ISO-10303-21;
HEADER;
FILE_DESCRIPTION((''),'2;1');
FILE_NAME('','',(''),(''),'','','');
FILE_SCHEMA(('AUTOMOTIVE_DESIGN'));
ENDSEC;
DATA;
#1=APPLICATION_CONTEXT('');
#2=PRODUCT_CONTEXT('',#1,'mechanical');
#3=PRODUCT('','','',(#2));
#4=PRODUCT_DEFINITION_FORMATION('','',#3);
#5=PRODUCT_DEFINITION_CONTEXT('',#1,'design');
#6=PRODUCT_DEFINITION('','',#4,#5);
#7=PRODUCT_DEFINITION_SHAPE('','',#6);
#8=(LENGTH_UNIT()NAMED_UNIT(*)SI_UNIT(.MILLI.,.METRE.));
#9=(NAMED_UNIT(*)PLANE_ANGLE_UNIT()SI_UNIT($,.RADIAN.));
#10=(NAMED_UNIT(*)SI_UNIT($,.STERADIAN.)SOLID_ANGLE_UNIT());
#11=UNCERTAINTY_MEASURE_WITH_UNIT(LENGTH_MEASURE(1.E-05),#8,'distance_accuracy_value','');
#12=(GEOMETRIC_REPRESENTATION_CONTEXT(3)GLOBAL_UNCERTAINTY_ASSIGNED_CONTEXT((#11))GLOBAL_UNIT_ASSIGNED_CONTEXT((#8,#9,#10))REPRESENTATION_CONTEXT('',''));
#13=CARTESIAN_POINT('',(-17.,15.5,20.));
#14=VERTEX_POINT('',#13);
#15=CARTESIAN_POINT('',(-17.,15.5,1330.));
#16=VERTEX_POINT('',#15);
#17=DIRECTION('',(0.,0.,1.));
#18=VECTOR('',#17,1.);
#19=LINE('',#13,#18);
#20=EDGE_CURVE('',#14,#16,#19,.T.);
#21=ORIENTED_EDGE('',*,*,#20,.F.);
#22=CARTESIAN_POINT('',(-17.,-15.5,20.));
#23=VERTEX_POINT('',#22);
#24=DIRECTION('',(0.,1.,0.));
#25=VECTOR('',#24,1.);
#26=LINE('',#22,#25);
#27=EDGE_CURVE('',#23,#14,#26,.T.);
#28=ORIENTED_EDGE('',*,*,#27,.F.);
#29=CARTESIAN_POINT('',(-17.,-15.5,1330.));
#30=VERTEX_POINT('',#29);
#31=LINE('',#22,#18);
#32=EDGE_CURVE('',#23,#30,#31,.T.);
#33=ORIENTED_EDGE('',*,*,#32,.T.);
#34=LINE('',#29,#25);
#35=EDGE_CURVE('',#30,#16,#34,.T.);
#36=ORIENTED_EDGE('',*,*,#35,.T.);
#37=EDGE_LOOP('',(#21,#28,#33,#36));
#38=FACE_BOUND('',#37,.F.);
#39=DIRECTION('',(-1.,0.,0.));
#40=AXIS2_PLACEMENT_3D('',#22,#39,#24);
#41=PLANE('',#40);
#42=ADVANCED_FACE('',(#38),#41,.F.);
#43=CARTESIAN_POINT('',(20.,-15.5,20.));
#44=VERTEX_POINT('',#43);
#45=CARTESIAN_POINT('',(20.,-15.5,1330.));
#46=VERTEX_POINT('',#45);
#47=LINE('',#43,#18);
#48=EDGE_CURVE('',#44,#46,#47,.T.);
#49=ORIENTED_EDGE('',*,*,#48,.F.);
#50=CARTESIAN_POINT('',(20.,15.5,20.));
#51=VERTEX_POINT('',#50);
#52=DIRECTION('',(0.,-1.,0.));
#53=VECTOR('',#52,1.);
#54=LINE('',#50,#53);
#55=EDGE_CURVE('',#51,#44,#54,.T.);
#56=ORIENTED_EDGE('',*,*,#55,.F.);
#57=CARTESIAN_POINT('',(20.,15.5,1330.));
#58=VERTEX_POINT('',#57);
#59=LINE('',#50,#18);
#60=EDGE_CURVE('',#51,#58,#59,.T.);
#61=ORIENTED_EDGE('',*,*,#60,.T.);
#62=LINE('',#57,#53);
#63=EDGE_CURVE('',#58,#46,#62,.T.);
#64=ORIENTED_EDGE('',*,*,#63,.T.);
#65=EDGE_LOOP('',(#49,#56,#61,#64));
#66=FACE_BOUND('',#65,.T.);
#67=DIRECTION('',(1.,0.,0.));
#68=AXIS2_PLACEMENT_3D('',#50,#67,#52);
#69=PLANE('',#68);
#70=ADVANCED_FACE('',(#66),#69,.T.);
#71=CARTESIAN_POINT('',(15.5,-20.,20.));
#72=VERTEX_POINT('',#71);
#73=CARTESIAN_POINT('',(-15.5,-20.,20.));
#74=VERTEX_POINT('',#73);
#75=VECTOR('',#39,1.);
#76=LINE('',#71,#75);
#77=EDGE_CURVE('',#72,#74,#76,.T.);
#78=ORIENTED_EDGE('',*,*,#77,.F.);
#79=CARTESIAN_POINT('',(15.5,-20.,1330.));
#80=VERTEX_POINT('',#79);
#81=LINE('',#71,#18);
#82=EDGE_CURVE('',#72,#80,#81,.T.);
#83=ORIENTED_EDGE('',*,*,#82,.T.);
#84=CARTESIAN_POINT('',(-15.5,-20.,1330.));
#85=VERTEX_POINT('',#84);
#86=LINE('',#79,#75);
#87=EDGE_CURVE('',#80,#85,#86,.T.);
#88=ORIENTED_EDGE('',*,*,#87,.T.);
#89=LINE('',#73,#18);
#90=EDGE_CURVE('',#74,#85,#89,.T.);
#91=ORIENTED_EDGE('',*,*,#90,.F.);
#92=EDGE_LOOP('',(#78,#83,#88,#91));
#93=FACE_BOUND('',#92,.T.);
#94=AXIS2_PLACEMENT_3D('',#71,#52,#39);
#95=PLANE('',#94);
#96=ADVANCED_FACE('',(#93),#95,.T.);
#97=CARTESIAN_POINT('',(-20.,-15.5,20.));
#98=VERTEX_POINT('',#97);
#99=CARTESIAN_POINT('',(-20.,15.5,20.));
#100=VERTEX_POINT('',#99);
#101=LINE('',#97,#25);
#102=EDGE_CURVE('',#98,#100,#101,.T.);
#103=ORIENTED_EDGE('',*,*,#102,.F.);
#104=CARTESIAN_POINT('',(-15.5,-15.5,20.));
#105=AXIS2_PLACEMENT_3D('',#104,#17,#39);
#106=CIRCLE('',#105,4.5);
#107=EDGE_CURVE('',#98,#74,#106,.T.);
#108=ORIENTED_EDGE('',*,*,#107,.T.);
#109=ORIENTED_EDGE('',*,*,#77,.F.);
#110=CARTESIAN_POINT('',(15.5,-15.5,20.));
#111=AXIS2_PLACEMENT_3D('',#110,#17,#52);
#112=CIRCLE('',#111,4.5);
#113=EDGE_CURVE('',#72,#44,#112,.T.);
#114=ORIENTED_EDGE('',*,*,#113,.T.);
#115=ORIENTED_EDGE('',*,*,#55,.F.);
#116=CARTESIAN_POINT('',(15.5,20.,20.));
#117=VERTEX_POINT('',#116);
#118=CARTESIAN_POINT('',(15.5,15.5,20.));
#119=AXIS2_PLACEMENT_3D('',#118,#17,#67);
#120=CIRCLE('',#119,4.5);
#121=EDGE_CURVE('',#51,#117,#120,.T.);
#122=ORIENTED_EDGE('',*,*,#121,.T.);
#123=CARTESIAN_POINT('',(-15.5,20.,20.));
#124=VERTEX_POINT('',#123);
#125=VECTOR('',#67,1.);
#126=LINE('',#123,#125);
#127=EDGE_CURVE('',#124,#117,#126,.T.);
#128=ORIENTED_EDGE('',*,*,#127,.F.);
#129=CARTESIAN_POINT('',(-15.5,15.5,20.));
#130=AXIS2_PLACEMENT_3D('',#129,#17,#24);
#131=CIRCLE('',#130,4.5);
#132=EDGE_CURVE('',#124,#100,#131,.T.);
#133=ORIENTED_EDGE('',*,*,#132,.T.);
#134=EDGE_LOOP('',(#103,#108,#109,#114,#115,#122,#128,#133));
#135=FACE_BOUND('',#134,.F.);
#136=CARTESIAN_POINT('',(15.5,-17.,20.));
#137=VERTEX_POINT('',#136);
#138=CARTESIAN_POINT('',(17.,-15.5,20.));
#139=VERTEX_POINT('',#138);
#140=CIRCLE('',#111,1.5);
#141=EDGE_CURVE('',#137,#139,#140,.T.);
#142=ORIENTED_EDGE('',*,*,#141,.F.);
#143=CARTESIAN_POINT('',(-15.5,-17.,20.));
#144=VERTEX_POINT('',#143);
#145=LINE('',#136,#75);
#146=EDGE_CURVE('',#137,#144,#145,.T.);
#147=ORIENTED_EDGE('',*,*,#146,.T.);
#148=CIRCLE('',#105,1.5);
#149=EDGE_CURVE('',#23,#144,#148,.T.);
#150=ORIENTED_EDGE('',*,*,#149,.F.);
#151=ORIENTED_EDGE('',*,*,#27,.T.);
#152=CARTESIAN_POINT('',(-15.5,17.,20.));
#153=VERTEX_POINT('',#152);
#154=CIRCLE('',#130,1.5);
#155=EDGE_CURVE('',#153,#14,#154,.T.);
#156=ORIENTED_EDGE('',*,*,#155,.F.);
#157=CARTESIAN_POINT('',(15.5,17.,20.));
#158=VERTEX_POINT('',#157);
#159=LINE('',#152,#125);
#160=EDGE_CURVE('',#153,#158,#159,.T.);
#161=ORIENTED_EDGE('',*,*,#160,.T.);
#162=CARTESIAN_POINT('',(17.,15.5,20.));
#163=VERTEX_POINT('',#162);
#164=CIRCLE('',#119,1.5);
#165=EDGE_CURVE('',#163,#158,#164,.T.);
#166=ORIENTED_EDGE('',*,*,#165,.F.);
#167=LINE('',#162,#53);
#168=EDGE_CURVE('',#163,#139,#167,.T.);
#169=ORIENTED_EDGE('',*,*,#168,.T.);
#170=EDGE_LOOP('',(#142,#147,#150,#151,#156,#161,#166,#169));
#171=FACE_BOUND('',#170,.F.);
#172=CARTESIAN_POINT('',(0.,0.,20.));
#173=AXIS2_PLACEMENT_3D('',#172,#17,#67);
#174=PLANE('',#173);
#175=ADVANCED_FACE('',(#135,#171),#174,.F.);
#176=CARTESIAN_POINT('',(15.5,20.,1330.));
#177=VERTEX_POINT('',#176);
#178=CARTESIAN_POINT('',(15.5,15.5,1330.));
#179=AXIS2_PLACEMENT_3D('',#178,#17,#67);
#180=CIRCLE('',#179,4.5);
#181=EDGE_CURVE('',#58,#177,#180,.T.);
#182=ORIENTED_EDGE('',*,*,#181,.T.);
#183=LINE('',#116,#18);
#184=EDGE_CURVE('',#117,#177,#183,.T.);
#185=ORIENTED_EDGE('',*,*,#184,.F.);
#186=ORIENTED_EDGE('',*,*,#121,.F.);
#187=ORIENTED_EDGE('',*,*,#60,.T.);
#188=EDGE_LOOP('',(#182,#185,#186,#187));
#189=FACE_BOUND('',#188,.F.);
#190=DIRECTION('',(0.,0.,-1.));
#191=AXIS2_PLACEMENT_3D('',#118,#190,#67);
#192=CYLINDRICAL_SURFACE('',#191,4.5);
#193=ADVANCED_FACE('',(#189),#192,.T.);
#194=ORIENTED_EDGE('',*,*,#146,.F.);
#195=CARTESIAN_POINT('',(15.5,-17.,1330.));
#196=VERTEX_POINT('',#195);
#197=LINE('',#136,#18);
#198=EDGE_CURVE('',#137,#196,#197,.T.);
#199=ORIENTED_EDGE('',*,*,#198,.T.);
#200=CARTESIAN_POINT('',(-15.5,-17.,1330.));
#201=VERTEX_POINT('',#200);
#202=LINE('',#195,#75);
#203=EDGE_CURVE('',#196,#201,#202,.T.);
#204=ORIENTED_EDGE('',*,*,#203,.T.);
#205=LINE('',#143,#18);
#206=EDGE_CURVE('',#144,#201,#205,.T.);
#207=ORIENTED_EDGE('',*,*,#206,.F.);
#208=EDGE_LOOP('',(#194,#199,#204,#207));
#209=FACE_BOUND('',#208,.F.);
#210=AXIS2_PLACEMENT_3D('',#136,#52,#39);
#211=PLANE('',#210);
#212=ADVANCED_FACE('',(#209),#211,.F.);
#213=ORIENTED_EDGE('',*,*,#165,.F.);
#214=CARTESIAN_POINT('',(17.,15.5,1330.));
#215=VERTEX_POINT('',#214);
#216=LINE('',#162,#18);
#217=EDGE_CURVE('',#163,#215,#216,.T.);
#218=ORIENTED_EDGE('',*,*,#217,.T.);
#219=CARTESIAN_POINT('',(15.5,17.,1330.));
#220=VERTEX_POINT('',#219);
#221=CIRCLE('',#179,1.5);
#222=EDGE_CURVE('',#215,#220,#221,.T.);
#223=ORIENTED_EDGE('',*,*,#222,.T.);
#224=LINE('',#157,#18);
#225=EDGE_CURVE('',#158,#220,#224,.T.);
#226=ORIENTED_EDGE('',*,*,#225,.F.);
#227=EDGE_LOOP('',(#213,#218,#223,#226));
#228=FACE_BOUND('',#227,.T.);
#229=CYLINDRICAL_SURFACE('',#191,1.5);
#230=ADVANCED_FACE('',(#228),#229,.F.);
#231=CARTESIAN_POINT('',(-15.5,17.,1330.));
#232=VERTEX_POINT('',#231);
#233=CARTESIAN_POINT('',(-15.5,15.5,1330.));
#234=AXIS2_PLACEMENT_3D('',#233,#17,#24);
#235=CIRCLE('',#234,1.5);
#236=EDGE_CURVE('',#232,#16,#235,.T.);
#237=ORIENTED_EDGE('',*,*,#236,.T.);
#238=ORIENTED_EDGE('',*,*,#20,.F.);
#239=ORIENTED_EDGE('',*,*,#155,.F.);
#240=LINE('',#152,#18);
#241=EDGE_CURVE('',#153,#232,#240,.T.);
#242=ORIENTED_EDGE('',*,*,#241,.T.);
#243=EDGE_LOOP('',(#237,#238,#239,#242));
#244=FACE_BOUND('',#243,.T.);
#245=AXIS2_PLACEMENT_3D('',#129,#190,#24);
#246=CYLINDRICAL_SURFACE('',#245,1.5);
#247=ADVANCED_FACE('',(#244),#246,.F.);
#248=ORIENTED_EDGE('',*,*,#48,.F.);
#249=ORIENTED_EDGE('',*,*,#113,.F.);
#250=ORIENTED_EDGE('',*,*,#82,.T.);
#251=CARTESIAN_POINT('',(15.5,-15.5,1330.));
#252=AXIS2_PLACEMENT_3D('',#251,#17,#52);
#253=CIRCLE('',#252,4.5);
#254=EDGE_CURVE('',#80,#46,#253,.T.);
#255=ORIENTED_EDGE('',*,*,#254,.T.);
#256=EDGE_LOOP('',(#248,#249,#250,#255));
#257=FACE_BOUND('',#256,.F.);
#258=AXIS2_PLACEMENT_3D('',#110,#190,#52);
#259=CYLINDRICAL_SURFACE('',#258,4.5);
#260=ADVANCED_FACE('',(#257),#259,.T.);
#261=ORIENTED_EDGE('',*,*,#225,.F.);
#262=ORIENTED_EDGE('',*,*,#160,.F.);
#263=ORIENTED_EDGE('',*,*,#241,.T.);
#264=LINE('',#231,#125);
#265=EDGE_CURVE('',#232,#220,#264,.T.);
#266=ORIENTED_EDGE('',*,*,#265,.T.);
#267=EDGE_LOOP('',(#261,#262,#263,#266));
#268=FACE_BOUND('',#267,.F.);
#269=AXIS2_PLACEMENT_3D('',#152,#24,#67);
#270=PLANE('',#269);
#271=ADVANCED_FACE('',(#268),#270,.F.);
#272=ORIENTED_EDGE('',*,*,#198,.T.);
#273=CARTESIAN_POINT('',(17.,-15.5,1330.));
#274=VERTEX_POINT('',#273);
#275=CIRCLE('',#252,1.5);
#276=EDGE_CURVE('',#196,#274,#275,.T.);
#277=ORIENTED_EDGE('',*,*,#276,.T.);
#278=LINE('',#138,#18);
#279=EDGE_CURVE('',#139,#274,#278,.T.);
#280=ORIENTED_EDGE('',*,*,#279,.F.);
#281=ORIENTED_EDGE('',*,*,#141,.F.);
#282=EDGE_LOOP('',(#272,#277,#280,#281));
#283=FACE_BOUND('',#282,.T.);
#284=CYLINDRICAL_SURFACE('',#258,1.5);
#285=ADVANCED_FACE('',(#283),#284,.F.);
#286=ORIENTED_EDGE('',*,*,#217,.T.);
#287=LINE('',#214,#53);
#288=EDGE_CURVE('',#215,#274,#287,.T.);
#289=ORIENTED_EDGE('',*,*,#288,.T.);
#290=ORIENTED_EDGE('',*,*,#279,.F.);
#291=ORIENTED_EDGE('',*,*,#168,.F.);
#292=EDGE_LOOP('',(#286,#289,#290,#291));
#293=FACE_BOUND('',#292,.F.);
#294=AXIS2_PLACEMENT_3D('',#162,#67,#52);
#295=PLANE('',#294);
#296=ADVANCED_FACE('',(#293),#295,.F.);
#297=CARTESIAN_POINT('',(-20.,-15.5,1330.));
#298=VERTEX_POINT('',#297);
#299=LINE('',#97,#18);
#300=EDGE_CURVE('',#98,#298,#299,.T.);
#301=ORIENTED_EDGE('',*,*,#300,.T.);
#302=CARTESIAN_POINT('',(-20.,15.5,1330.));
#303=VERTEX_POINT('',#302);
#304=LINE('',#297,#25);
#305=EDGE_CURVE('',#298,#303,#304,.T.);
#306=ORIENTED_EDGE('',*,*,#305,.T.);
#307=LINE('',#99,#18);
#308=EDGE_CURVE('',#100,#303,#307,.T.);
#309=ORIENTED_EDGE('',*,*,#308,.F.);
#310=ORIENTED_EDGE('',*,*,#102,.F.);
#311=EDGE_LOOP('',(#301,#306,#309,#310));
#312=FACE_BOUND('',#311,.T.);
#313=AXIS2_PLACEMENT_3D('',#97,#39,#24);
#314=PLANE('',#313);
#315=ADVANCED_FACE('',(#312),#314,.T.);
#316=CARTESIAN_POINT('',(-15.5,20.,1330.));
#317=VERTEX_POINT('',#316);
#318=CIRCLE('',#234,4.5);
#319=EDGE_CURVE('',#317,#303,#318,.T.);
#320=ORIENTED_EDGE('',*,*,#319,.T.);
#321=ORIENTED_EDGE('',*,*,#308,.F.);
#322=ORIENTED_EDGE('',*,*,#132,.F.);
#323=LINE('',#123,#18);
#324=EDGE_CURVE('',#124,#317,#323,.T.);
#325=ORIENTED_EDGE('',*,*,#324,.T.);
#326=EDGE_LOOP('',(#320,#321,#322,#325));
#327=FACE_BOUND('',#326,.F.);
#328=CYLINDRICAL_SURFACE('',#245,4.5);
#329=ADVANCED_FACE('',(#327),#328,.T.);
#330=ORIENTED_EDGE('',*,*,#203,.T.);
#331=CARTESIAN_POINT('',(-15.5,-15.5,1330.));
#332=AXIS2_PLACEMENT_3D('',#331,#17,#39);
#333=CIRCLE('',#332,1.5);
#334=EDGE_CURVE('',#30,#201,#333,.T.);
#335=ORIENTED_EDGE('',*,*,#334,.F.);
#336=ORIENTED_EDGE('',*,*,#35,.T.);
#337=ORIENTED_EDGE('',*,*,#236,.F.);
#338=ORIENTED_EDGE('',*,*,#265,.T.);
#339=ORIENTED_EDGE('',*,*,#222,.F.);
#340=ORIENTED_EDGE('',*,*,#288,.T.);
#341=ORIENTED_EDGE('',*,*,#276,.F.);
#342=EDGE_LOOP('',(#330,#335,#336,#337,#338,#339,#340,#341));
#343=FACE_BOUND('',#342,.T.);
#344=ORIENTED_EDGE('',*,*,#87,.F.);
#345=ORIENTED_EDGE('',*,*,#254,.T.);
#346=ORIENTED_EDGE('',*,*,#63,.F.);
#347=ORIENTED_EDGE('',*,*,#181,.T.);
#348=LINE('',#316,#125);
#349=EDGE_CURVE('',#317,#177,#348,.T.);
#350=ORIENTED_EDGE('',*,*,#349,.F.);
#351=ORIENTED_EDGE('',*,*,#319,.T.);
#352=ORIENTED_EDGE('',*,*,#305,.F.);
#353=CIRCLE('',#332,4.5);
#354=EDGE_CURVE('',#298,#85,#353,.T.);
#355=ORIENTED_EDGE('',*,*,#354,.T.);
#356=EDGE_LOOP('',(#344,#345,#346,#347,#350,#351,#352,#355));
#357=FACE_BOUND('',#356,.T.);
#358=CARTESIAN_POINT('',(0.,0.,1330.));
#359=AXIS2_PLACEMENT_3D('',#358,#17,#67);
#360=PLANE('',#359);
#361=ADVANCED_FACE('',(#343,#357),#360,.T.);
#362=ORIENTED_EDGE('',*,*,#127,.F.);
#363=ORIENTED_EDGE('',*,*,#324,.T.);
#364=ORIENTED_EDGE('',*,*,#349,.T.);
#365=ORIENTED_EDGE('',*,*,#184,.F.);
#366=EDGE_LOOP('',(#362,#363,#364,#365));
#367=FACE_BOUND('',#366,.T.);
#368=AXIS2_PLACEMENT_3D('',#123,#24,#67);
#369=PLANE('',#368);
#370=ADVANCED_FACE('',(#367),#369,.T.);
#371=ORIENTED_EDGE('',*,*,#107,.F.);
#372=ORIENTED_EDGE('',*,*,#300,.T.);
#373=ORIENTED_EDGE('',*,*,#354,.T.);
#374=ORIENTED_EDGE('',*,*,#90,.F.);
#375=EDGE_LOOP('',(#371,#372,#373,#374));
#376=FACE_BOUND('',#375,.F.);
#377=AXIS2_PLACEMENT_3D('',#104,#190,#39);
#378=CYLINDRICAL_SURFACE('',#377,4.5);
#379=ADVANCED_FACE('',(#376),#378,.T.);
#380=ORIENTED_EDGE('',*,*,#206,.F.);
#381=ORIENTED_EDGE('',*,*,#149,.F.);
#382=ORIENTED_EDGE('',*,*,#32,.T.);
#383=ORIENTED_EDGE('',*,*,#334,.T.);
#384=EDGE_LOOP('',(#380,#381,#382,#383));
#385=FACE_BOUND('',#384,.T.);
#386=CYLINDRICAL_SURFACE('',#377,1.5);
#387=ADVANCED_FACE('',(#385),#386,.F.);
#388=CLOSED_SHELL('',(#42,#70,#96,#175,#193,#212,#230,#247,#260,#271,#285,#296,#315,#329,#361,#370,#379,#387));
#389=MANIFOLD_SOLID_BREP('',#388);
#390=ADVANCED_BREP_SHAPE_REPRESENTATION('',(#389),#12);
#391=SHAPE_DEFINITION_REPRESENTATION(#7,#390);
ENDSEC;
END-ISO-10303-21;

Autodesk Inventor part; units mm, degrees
ref_plane "Start Plane" through (0, 0, 20) normal (0, 0, 1) x (1, 0, 0)
ref_plane "End Plane" through (0, 0, 1330) normal (0, 0, 1) x (1, 0, 0)
sketch "Sketch" plane through (0, 0, 0) normal (0, 0, 1) x (1, 0, 0)
  line L0 (-20, -15.5) -> (-20, 15.5)
  line L1 (-15.5, 20) -> (15.5, 20)
  line L2 (20, 15.5) -> (20, -15.5)
  line L3 (15.5, -20) -> (-15.5, -20)
  arc A0 (-20, -15.5) -> (-15.5, -20) centre (-15.5, -15.5) ccw
  arc A1 (-15.5, 20) -> (-20, 15.5) centre (-15.5, 15.5) ccw
  arc A2 (20, 15.5) -> (15.5, 20) centre (15.5, 15.5) ccw
  arc A3 (15.5, -20) -> (20, -15.5) centre (15.5, -15.5) ccw
  arc A4 (-15.5, 17) -> (-17, 15.5) centre (-15.5, 15.5) ccw
  line L4 (-15.5, 17) -> (15.5, 17)
  arc A5 (17, 15.5) -> (15.5, 17) centre (15.5, 15.5) ccw
  line L5 (17, 15.5) -> (17, -15.5)
  arc A6 (15.5, -17) -> (17, -15.5) centre (15.5, -15.5) ccw
  line L6 (15.5, -17) -> (-15.5, -17)
  arc A7 (-17, -15.5) -> (-15.5, -17) centre (-15.5, -15.5) ccw
  line L7 (-17, -15.5) -> (-17, 15.5)
  line L8 (0, 29.3048) -> (0, -29.3048) construction
  line L9 (-29.3048, 0) -> (29.3048, 0) construction
  dimension "d7" = 4.5
  dimension "d10" = 40
  dimension "d11" = 40
  dimension "d12" = 3
  dimension "d15" = 20
  dimension "d16" = 20
extrude "Body" add sketch "Sketch" along normal up to surface (1310 mm away) from surface at 20
sketch "Sketch3" plane through (0, 0, 0) normal (0, 0, 1) x (1, 0, 0)
  line L0 (0, 0) -> (10, 0)
ref_plane "Work Plane3" through (0, 0, 0) normal (0, -1, 0) x (1, 0, 0)
ref_plane "Work Plane4" through (0, -984.5, 1330) normal (0, 0, 1) x (1, 0, 0)
split "Split1" plane through (0, -984.5, 1330) removes the side toward (0, 0, 1)
ref_plane "Work Plane5" through (0, -15.5, 20) normal (0, 0, -1) x (-1, 0, 0)
split "Split2" plane through (0, -15.5, 20) removes the side toward (0, 0, -1)
sketch "Sketch4" plane through (0, 0, 0) normal (0, -1, 0) x (1, 0, 0)
  line L0 (-2, 20) -> (12, 20) projected
  line L1 (-2, 1330) -> (12, 1330) projected
  dimension "d18" = 1310
equation "\"d7\" = G_IR"
equation "\"d10\" = G_H"
equation "\"d11\" = G_W"
equation "\"d12\" = G_T"
equation "\"d15\" = 0.5 * d10"
equation "\"d16\" = 0.5 * d11"
equation "\"d3\" = G_L"
equation "\"G_W\" = 40"
equation "\"G_H\" = 40"
equation "\"G_T\" = 3"
equation "\"G_IR\" = 4.5"
equation "\"G_L\" = d18"
properties part number "ISO 12633-2 - 40x40x3 - 1310" material "Steel, Mild"
